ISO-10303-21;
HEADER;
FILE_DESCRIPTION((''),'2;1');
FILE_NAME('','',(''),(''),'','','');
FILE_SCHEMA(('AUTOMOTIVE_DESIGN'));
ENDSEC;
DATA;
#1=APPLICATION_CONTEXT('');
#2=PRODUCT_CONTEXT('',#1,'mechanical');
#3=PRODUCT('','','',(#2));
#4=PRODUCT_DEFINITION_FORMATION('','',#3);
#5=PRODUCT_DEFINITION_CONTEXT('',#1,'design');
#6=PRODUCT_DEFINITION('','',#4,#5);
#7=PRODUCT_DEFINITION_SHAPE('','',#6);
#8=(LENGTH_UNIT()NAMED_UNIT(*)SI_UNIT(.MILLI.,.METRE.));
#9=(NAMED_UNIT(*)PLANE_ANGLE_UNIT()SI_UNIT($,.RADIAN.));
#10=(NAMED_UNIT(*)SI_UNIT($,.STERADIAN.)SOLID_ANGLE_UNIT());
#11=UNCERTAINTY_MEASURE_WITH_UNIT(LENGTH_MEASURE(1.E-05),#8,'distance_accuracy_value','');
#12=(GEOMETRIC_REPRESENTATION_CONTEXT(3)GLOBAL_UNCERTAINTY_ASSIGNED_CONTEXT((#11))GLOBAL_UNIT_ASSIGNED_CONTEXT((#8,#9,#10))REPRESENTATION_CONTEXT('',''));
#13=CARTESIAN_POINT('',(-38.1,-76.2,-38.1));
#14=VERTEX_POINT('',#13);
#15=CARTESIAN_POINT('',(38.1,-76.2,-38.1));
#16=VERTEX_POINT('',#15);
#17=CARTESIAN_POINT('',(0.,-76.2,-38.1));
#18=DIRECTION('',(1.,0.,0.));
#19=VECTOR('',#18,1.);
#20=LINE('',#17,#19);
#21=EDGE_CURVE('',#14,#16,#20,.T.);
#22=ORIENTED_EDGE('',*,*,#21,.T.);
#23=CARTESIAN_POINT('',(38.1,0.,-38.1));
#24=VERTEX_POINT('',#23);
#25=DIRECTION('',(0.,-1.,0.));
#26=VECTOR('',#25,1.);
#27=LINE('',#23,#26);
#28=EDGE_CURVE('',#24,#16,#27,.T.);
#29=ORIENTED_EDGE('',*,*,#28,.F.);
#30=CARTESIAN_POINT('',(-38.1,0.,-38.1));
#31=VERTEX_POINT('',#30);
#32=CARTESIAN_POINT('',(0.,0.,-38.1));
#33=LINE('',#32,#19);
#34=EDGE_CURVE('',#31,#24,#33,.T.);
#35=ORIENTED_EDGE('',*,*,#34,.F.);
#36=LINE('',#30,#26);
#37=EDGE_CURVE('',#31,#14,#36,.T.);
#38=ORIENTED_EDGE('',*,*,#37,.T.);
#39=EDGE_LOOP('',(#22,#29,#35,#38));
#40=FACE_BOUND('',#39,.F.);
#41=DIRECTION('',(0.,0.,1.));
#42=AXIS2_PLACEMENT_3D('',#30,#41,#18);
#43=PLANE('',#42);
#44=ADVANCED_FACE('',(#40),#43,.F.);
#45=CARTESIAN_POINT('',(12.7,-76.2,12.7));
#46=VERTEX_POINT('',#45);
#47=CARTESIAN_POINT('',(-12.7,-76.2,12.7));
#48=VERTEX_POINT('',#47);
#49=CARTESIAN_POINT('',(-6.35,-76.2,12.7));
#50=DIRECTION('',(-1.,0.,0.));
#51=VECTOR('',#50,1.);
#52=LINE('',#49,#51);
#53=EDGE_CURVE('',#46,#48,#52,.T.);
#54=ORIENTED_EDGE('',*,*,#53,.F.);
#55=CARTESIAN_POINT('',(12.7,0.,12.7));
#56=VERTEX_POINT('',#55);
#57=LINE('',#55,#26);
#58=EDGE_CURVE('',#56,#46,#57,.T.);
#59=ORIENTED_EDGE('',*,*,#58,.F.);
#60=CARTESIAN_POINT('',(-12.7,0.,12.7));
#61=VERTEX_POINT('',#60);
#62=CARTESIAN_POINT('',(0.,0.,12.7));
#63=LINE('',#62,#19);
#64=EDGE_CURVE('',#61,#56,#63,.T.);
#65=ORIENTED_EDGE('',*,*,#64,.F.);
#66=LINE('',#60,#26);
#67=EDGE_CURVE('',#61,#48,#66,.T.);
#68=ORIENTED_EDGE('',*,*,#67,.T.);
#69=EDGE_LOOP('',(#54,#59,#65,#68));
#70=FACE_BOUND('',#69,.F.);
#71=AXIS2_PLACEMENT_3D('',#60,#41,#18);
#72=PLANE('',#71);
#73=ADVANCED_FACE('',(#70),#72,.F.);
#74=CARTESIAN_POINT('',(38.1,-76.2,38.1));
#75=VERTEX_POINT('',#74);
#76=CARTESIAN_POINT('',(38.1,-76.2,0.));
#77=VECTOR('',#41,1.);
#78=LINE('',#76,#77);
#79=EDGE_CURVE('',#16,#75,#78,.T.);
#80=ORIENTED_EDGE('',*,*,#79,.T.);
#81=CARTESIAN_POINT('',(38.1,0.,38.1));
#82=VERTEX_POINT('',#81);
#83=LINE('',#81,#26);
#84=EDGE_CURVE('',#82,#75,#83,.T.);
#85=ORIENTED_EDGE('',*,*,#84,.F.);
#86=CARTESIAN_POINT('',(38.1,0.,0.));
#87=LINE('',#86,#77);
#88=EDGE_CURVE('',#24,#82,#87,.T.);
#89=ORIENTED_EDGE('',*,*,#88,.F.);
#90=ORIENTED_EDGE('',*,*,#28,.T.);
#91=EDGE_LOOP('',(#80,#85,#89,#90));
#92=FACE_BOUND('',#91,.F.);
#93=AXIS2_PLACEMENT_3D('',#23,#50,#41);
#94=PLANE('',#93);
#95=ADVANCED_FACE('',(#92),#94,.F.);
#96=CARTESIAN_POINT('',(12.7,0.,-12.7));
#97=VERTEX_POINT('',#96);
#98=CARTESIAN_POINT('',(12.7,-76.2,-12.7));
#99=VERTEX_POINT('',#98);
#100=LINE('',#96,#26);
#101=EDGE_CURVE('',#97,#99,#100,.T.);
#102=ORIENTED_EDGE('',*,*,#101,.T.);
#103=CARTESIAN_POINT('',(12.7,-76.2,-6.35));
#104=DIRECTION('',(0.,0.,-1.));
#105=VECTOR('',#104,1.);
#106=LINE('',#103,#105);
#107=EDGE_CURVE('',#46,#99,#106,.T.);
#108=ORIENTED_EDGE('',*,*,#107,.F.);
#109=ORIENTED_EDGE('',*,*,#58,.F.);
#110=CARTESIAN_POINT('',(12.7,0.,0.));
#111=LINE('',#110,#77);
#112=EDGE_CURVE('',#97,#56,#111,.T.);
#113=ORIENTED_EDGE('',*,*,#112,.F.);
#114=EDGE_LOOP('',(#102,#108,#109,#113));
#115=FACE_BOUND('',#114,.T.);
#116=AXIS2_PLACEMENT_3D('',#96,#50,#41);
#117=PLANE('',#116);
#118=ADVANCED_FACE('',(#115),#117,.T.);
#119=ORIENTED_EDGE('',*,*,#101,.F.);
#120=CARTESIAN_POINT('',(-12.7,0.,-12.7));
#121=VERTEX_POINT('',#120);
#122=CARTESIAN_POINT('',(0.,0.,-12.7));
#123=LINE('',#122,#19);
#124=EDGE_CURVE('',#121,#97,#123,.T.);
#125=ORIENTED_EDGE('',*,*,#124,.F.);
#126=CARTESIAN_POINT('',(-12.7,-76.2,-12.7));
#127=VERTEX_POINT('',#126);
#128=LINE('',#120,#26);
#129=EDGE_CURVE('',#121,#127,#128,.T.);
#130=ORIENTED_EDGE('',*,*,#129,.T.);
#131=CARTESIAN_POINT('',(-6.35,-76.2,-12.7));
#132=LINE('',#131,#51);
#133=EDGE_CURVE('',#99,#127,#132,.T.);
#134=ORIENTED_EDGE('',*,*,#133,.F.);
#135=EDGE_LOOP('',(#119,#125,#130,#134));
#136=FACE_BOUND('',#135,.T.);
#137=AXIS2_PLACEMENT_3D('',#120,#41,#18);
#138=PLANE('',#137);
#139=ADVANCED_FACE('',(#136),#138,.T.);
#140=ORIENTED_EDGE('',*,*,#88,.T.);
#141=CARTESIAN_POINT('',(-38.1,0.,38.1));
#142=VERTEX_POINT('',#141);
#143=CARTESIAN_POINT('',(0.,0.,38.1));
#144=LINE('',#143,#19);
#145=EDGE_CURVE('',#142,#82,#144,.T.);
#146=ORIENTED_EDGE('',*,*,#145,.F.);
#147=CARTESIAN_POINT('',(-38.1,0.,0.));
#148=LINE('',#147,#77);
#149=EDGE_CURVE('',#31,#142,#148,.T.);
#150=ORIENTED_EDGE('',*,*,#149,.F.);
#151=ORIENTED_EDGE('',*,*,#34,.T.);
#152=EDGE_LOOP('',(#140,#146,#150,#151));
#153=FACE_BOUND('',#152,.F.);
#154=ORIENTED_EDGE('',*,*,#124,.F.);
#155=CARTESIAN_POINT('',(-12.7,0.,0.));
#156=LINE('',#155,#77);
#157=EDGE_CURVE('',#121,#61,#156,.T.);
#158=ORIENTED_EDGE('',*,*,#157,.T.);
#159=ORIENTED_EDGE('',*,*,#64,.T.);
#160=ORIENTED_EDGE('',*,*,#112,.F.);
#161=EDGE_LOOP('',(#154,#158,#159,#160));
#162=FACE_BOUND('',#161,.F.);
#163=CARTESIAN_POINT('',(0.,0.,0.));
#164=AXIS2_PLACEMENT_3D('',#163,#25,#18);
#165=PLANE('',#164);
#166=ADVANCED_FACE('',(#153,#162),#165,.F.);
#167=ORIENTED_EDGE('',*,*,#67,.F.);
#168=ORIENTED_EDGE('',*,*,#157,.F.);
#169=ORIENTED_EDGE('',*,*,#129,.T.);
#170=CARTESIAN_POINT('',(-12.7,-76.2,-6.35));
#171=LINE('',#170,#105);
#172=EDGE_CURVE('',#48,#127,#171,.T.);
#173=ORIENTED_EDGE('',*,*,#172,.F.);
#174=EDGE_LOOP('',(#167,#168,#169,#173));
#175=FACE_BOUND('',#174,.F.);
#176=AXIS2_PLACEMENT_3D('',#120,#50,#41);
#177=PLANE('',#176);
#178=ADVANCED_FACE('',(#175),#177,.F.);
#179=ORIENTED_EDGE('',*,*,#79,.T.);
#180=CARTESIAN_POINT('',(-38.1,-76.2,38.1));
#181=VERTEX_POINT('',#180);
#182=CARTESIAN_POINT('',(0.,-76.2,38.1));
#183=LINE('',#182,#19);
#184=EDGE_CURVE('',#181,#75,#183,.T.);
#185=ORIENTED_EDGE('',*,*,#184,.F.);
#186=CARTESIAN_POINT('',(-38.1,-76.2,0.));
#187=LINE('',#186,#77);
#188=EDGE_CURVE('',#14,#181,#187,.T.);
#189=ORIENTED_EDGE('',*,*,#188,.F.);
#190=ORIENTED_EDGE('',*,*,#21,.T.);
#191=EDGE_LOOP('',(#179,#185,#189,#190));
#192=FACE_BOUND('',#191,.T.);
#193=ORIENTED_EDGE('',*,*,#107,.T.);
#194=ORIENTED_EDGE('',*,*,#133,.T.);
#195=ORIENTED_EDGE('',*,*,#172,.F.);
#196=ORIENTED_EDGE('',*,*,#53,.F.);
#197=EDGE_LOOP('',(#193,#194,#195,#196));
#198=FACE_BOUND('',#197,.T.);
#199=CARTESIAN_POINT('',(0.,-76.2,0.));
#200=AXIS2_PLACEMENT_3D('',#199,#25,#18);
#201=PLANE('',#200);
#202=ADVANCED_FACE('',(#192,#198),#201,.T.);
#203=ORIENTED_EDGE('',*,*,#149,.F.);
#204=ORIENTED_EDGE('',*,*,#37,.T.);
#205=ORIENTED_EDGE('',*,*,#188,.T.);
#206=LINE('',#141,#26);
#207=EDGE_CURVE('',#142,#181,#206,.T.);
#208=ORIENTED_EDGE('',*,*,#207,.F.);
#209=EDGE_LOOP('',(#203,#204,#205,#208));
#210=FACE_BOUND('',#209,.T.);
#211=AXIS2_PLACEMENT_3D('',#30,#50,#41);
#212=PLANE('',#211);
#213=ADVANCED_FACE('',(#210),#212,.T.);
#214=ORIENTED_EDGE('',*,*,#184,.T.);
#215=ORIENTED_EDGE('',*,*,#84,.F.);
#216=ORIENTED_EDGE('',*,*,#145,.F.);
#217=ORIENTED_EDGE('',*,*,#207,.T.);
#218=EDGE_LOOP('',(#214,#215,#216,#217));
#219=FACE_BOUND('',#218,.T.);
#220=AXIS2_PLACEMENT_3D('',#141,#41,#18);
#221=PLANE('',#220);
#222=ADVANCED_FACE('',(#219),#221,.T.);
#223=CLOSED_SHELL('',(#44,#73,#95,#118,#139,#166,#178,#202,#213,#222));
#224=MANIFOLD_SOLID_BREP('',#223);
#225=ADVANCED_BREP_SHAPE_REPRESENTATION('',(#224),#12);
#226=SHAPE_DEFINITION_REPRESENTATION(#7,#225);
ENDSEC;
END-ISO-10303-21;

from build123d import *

# Parameters (mm, degrees)
F0_W     = 76.2
F0_H     = 76.2
F2_DEPTH = 76.2
F1_W     = 25.4
F1_H     = 25.4
F3_DEPTH = 76.201


with BuildPart() as f2:
    # F0 (on Front) → F2 (new body)
    with BuildSketch(Plane.XZ):
        Rectangle(F0_W, F0_H)
    extrude(amount=F2_DEPTH)

    # F1 (on face) → F3 (cut, through all)
    with BuildSketch(Plane.XZ):
        Rectangle(F1_W, F1_H)
    extrude(amount=F3_DEPTH, mode=Mode.SUBTRACT)


solid = f2.part
